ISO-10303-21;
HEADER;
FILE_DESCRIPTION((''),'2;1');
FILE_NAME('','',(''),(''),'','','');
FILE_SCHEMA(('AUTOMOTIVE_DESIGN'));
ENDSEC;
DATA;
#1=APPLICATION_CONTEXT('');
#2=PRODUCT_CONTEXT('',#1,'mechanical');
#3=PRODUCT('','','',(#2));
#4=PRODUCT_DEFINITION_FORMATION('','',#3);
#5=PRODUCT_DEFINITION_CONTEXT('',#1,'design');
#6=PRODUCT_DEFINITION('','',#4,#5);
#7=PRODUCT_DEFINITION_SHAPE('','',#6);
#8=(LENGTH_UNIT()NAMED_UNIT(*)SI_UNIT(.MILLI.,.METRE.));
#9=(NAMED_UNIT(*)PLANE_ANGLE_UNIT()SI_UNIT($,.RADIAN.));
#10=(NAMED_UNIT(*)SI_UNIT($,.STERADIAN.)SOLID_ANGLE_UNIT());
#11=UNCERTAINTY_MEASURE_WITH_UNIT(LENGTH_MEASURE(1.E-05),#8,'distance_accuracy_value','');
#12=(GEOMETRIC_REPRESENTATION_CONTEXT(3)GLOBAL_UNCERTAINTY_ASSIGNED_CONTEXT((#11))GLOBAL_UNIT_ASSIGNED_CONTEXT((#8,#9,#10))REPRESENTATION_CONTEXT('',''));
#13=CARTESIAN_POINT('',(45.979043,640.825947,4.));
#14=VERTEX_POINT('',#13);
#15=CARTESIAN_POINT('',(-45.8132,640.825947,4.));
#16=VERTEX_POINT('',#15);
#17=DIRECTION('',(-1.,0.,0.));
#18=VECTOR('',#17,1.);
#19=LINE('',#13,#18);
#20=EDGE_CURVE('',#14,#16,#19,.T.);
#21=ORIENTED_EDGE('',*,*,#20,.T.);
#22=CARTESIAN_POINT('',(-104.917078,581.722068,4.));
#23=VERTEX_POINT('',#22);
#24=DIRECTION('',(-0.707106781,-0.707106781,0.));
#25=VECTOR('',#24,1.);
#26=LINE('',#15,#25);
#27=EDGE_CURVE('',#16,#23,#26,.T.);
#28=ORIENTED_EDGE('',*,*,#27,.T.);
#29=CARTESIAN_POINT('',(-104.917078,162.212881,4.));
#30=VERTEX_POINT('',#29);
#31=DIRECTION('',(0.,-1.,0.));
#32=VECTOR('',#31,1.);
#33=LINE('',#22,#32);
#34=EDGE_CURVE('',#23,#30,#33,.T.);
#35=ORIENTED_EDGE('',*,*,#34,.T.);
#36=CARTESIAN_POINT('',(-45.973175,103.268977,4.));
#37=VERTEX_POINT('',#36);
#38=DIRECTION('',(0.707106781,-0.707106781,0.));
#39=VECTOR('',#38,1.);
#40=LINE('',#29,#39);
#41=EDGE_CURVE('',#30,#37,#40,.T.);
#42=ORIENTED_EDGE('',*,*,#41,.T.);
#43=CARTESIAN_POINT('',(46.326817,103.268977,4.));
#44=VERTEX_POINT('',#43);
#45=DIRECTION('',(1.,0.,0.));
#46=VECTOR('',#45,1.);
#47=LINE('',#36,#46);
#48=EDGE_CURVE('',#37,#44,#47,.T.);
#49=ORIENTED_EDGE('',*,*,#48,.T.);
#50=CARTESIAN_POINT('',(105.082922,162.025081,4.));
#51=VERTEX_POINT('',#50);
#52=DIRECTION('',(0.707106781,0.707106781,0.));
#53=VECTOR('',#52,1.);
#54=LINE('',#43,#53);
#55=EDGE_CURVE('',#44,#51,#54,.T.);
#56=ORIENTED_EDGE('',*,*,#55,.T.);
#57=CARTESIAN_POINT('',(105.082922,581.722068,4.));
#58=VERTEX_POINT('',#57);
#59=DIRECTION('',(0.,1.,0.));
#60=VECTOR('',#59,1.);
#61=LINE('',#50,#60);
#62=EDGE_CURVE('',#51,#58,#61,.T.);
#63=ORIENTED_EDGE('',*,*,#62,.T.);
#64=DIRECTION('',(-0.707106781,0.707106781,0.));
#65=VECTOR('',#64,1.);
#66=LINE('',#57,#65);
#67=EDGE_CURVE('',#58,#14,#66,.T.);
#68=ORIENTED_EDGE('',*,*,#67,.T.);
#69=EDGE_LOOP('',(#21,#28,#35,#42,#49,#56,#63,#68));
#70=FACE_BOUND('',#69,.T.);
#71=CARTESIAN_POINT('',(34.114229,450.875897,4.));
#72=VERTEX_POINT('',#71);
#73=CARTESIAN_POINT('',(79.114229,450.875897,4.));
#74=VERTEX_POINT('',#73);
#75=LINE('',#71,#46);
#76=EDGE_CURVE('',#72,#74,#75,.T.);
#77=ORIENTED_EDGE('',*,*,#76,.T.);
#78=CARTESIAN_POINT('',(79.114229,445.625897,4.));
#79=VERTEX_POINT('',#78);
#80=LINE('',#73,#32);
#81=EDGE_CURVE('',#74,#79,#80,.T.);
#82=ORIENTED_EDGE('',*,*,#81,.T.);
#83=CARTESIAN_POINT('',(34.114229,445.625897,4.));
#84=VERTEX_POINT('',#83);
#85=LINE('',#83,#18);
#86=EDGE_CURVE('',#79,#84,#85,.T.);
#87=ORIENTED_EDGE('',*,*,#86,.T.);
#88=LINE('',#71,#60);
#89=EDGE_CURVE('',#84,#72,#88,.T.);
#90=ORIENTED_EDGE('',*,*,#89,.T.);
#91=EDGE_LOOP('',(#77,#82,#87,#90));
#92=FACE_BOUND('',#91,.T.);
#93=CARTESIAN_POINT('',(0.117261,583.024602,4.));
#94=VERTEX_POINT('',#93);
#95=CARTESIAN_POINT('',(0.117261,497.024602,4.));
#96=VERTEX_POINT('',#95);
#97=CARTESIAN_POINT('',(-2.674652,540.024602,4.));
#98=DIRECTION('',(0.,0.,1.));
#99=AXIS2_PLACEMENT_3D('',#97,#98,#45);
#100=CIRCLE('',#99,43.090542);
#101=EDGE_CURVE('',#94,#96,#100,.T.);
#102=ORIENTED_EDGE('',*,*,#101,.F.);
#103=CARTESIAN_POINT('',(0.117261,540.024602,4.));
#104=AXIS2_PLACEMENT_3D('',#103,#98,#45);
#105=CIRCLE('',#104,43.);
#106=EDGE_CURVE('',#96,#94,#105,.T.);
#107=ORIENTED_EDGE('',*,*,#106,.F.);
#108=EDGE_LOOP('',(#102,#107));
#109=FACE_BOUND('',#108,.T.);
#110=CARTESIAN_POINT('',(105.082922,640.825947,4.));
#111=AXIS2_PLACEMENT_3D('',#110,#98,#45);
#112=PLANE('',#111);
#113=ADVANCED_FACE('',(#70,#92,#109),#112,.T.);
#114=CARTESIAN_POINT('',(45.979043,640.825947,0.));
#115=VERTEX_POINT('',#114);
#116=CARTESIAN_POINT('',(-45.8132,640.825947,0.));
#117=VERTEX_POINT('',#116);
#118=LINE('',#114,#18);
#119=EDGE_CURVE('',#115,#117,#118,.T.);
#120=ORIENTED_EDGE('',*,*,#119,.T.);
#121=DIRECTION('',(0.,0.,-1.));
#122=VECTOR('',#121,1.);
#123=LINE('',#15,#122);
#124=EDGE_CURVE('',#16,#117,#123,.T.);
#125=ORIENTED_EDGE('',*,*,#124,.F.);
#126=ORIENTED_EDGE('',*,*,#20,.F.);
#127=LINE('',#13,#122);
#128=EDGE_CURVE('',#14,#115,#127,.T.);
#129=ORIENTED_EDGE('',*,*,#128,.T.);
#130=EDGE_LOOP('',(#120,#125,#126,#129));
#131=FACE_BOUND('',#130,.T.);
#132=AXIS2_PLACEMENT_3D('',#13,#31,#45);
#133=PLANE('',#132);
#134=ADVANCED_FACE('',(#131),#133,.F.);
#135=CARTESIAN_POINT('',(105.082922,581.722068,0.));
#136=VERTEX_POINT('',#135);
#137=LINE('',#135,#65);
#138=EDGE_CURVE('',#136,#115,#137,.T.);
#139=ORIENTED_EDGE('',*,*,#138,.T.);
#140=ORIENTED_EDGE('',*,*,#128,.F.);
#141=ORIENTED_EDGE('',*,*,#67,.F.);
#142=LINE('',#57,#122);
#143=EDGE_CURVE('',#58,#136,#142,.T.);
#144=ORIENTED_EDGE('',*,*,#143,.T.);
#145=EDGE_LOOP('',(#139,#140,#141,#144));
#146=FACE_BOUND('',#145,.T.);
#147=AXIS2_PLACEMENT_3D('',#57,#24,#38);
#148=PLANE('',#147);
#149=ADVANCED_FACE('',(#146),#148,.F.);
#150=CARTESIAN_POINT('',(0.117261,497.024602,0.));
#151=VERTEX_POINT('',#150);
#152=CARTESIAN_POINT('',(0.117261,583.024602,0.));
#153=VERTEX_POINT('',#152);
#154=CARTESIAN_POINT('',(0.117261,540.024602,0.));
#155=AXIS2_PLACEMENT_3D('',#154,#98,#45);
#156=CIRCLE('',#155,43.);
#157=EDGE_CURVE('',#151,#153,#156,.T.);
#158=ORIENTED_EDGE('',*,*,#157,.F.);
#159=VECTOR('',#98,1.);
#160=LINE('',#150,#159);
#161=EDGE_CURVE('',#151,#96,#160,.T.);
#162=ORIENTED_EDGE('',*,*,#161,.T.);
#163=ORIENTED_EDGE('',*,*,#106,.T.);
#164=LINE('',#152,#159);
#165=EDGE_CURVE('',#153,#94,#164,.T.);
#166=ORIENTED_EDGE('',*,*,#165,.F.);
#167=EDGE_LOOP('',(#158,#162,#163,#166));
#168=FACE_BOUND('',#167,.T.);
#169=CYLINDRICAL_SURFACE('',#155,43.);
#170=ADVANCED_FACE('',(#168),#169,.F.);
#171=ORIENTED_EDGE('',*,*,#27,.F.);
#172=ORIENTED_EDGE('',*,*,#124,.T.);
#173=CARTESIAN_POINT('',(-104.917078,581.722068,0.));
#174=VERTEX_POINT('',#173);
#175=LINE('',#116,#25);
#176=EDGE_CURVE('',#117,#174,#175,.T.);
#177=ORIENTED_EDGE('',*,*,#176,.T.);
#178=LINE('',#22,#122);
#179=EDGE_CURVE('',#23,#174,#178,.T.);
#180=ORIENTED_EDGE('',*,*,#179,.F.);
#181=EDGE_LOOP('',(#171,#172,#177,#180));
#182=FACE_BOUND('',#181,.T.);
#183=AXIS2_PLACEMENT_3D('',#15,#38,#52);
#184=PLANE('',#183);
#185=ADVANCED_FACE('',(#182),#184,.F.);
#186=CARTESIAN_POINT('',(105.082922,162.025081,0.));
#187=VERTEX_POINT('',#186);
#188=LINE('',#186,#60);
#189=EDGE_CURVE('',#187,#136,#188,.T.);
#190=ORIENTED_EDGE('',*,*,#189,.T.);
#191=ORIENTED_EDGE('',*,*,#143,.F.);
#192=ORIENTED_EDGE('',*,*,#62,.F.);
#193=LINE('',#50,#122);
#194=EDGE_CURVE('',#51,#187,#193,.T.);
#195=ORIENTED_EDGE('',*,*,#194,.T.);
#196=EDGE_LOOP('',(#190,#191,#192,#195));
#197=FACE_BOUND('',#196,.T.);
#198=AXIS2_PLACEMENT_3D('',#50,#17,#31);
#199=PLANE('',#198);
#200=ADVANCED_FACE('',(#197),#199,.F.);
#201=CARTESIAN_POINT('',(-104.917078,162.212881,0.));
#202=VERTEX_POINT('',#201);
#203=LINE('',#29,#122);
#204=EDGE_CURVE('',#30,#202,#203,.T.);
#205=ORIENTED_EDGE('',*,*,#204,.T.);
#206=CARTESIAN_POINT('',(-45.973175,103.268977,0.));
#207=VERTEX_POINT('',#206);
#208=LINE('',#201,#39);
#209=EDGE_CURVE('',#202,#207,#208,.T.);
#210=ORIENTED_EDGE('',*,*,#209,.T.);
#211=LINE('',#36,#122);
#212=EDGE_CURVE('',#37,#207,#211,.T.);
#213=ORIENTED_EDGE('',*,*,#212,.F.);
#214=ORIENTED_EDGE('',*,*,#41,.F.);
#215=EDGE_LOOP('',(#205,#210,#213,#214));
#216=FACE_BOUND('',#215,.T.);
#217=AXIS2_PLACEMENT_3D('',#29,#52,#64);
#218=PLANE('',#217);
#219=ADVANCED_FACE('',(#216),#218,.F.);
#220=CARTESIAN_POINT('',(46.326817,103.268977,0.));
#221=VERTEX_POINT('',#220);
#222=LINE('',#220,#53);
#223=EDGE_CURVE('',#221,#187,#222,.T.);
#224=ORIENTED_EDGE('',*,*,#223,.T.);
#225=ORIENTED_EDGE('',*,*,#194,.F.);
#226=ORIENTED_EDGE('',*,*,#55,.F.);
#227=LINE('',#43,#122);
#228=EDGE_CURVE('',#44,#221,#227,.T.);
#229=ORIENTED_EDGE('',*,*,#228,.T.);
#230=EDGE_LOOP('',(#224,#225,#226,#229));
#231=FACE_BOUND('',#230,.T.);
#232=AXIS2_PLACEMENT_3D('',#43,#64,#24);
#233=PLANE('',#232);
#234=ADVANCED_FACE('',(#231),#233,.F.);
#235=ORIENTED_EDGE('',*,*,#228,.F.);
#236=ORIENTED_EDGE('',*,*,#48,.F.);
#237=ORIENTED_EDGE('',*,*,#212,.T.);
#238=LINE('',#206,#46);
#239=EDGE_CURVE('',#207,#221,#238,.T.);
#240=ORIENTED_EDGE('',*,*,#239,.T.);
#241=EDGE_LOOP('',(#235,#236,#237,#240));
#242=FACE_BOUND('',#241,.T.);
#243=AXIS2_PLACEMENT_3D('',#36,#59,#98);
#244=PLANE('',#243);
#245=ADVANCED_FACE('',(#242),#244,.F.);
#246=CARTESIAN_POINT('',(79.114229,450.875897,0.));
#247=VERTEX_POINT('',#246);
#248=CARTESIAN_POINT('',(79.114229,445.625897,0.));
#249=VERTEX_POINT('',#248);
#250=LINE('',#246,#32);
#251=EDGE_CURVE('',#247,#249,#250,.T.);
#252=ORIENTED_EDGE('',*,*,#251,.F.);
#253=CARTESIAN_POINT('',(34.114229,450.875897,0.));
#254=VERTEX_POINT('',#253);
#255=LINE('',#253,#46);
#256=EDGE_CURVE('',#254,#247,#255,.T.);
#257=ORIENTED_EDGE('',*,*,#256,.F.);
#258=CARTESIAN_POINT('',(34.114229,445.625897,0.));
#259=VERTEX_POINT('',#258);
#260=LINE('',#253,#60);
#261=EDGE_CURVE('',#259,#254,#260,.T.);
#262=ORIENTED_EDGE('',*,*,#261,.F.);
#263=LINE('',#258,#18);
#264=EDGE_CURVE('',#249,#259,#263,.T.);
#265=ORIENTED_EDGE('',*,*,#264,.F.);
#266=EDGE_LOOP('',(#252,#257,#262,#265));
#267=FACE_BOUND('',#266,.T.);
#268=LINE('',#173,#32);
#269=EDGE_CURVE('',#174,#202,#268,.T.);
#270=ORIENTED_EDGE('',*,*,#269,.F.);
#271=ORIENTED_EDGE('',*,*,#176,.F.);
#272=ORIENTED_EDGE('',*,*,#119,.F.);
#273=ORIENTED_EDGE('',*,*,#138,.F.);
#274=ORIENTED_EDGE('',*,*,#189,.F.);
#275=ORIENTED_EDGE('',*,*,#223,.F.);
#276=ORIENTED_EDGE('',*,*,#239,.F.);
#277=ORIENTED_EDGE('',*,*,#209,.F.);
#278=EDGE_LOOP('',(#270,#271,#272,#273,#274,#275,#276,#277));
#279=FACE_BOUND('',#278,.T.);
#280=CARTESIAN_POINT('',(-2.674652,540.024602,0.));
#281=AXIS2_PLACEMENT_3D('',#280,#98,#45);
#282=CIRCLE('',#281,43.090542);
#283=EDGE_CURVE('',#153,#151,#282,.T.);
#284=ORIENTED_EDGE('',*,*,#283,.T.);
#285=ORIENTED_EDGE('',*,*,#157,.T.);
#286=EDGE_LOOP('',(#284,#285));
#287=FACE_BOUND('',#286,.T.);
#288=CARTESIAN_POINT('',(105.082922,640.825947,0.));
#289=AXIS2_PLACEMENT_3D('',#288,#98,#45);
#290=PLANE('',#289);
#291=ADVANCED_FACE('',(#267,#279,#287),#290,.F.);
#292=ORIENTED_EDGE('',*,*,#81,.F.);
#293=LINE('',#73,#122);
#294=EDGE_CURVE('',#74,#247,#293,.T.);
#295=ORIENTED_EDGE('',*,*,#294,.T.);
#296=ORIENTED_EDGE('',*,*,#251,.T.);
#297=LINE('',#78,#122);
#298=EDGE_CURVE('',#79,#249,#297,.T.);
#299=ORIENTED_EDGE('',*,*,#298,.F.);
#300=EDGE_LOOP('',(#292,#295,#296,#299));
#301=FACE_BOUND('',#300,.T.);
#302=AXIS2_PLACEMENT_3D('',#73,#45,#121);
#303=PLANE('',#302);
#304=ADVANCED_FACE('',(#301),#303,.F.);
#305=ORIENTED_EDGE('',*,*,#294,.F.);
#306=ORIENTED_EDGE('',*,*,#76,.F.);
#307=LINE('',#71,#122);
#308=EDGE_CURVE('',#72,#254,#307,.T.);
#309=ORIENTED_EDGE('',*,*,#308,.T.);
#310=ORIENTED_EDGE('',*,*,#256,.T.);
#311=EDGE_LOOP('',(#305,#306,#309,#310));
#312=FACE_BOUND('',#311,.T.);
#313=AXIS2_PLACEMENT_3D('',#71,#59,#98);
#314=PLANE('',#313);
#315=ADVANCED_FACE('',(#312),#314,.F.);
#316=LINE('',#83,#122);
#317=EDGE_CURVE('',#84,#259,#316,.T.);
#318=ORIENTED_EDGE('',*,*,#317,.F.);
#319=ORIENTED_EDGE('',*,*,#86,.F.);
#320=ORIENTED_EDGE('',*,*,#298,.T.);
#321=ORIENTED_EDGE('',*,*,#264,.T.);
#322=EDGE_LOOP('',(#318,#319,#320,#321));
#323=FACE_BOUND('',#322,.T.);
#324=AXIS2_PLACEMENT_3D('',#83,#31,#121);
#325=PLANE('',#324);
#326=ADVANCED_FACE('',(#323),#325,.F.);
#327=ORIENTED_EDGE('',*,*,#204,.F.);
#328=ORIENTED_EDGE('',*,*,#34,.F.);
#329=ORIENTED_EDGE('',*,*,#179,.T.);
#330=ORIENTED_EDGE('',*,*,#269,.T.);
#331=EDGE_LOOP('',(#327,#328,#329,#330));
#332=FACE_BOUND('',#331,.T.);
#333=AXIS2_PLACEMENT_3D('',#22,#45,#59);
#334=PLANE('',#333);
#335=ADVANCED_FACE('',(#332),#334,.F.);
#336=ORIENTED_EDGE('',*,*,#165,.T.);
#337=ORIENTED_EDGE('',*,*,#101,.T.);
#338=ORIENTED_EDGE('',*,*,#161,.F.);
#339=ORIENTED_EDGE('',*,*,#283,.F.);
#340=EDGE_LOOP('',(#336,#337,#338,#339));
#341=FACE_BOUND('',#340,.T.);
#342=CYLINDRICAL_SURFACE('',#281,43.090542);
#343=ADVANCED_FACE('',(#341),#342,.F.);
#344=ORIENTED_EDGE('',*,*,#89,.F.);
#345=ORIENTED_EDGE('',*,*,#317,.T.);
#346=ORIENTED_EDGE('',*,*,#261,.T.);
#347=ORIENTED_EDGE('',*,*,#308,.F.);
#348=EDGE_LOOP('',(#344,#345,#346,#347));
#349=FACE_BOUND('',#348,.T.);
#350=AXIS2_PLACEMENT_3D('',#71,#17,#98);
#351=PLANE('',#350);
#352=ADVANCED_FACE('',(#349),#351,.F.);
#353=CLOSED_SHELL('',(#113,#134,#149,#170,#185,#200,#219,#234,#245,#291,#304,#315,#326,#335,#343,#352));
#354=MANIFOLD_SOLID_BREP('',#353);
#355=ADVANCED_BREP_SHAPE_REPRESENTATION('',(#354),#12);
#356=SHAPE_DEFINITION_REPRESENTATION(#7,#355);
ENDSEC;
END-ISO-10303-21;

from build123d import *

# Parameters (mm, degrees)
EXTRUDE_1_DEPTH     = 4
CUT_EXTRUDE_1_DEPTH = 650.396885451
SKETCH_3_W          = 45
SKETCH_3_H          = 5.25
CUT_EXTRUDE_2_DEPTH = 650.396885451


with BuildPart() as part:
    # Эскиз1 → Вытянуть1 (new body)
    with BuildSketch(Plane.XY):
        Polygon((105.082921559, 581.722068254), (45.979042749, 640.825947064), (-45.813199631, 640.825947064), (-104.917078441, 581.722068254), (-104.917078441, 162.212880509), (-45.97317451, 103.268976578), (46.326817337, 103.268976578), (105.082921559, 162.0250808), align=None)
    extrude(amount=EXTRUDE_1_DEPTH)

    # Эскиз2 → Вырез-Вытянуть1 (cut, through all)
    with BuildSketch(Plane.XY.offset(4)):
        with BuildLine():
            ThreePointArc((0.117260776, 497.024602251), (43.117260776, 540.024602251), (0.117260776, 583.024602251))
            ThreePointArc((0.117260776, 583.024602251), (-45.765193681, 540.024602251), (0.117260776, 497.024602251))
        make_face()
    extrude(amount=-CUT_EXTRUDE_1_DEPTH, mode=Mode.SUBTRACT)

    # Эскиз3 → Вырез-Вытянуть2 (cut, through all)
    with BuildSketch(Plane(origin=(0, 0, 0), x_dir=(-1, 0, 0), z_dir=(0, 0, -1))):
        with Locations((-56.614229098, 448.250896744)):
            Rectangle(SKETCH_3_W, SKETCH_3_H)
    extrude(amount=-CUT_EXTRUDE_2_DEPTH, mode=Mode.SUBTRACT)


solid = part.part
